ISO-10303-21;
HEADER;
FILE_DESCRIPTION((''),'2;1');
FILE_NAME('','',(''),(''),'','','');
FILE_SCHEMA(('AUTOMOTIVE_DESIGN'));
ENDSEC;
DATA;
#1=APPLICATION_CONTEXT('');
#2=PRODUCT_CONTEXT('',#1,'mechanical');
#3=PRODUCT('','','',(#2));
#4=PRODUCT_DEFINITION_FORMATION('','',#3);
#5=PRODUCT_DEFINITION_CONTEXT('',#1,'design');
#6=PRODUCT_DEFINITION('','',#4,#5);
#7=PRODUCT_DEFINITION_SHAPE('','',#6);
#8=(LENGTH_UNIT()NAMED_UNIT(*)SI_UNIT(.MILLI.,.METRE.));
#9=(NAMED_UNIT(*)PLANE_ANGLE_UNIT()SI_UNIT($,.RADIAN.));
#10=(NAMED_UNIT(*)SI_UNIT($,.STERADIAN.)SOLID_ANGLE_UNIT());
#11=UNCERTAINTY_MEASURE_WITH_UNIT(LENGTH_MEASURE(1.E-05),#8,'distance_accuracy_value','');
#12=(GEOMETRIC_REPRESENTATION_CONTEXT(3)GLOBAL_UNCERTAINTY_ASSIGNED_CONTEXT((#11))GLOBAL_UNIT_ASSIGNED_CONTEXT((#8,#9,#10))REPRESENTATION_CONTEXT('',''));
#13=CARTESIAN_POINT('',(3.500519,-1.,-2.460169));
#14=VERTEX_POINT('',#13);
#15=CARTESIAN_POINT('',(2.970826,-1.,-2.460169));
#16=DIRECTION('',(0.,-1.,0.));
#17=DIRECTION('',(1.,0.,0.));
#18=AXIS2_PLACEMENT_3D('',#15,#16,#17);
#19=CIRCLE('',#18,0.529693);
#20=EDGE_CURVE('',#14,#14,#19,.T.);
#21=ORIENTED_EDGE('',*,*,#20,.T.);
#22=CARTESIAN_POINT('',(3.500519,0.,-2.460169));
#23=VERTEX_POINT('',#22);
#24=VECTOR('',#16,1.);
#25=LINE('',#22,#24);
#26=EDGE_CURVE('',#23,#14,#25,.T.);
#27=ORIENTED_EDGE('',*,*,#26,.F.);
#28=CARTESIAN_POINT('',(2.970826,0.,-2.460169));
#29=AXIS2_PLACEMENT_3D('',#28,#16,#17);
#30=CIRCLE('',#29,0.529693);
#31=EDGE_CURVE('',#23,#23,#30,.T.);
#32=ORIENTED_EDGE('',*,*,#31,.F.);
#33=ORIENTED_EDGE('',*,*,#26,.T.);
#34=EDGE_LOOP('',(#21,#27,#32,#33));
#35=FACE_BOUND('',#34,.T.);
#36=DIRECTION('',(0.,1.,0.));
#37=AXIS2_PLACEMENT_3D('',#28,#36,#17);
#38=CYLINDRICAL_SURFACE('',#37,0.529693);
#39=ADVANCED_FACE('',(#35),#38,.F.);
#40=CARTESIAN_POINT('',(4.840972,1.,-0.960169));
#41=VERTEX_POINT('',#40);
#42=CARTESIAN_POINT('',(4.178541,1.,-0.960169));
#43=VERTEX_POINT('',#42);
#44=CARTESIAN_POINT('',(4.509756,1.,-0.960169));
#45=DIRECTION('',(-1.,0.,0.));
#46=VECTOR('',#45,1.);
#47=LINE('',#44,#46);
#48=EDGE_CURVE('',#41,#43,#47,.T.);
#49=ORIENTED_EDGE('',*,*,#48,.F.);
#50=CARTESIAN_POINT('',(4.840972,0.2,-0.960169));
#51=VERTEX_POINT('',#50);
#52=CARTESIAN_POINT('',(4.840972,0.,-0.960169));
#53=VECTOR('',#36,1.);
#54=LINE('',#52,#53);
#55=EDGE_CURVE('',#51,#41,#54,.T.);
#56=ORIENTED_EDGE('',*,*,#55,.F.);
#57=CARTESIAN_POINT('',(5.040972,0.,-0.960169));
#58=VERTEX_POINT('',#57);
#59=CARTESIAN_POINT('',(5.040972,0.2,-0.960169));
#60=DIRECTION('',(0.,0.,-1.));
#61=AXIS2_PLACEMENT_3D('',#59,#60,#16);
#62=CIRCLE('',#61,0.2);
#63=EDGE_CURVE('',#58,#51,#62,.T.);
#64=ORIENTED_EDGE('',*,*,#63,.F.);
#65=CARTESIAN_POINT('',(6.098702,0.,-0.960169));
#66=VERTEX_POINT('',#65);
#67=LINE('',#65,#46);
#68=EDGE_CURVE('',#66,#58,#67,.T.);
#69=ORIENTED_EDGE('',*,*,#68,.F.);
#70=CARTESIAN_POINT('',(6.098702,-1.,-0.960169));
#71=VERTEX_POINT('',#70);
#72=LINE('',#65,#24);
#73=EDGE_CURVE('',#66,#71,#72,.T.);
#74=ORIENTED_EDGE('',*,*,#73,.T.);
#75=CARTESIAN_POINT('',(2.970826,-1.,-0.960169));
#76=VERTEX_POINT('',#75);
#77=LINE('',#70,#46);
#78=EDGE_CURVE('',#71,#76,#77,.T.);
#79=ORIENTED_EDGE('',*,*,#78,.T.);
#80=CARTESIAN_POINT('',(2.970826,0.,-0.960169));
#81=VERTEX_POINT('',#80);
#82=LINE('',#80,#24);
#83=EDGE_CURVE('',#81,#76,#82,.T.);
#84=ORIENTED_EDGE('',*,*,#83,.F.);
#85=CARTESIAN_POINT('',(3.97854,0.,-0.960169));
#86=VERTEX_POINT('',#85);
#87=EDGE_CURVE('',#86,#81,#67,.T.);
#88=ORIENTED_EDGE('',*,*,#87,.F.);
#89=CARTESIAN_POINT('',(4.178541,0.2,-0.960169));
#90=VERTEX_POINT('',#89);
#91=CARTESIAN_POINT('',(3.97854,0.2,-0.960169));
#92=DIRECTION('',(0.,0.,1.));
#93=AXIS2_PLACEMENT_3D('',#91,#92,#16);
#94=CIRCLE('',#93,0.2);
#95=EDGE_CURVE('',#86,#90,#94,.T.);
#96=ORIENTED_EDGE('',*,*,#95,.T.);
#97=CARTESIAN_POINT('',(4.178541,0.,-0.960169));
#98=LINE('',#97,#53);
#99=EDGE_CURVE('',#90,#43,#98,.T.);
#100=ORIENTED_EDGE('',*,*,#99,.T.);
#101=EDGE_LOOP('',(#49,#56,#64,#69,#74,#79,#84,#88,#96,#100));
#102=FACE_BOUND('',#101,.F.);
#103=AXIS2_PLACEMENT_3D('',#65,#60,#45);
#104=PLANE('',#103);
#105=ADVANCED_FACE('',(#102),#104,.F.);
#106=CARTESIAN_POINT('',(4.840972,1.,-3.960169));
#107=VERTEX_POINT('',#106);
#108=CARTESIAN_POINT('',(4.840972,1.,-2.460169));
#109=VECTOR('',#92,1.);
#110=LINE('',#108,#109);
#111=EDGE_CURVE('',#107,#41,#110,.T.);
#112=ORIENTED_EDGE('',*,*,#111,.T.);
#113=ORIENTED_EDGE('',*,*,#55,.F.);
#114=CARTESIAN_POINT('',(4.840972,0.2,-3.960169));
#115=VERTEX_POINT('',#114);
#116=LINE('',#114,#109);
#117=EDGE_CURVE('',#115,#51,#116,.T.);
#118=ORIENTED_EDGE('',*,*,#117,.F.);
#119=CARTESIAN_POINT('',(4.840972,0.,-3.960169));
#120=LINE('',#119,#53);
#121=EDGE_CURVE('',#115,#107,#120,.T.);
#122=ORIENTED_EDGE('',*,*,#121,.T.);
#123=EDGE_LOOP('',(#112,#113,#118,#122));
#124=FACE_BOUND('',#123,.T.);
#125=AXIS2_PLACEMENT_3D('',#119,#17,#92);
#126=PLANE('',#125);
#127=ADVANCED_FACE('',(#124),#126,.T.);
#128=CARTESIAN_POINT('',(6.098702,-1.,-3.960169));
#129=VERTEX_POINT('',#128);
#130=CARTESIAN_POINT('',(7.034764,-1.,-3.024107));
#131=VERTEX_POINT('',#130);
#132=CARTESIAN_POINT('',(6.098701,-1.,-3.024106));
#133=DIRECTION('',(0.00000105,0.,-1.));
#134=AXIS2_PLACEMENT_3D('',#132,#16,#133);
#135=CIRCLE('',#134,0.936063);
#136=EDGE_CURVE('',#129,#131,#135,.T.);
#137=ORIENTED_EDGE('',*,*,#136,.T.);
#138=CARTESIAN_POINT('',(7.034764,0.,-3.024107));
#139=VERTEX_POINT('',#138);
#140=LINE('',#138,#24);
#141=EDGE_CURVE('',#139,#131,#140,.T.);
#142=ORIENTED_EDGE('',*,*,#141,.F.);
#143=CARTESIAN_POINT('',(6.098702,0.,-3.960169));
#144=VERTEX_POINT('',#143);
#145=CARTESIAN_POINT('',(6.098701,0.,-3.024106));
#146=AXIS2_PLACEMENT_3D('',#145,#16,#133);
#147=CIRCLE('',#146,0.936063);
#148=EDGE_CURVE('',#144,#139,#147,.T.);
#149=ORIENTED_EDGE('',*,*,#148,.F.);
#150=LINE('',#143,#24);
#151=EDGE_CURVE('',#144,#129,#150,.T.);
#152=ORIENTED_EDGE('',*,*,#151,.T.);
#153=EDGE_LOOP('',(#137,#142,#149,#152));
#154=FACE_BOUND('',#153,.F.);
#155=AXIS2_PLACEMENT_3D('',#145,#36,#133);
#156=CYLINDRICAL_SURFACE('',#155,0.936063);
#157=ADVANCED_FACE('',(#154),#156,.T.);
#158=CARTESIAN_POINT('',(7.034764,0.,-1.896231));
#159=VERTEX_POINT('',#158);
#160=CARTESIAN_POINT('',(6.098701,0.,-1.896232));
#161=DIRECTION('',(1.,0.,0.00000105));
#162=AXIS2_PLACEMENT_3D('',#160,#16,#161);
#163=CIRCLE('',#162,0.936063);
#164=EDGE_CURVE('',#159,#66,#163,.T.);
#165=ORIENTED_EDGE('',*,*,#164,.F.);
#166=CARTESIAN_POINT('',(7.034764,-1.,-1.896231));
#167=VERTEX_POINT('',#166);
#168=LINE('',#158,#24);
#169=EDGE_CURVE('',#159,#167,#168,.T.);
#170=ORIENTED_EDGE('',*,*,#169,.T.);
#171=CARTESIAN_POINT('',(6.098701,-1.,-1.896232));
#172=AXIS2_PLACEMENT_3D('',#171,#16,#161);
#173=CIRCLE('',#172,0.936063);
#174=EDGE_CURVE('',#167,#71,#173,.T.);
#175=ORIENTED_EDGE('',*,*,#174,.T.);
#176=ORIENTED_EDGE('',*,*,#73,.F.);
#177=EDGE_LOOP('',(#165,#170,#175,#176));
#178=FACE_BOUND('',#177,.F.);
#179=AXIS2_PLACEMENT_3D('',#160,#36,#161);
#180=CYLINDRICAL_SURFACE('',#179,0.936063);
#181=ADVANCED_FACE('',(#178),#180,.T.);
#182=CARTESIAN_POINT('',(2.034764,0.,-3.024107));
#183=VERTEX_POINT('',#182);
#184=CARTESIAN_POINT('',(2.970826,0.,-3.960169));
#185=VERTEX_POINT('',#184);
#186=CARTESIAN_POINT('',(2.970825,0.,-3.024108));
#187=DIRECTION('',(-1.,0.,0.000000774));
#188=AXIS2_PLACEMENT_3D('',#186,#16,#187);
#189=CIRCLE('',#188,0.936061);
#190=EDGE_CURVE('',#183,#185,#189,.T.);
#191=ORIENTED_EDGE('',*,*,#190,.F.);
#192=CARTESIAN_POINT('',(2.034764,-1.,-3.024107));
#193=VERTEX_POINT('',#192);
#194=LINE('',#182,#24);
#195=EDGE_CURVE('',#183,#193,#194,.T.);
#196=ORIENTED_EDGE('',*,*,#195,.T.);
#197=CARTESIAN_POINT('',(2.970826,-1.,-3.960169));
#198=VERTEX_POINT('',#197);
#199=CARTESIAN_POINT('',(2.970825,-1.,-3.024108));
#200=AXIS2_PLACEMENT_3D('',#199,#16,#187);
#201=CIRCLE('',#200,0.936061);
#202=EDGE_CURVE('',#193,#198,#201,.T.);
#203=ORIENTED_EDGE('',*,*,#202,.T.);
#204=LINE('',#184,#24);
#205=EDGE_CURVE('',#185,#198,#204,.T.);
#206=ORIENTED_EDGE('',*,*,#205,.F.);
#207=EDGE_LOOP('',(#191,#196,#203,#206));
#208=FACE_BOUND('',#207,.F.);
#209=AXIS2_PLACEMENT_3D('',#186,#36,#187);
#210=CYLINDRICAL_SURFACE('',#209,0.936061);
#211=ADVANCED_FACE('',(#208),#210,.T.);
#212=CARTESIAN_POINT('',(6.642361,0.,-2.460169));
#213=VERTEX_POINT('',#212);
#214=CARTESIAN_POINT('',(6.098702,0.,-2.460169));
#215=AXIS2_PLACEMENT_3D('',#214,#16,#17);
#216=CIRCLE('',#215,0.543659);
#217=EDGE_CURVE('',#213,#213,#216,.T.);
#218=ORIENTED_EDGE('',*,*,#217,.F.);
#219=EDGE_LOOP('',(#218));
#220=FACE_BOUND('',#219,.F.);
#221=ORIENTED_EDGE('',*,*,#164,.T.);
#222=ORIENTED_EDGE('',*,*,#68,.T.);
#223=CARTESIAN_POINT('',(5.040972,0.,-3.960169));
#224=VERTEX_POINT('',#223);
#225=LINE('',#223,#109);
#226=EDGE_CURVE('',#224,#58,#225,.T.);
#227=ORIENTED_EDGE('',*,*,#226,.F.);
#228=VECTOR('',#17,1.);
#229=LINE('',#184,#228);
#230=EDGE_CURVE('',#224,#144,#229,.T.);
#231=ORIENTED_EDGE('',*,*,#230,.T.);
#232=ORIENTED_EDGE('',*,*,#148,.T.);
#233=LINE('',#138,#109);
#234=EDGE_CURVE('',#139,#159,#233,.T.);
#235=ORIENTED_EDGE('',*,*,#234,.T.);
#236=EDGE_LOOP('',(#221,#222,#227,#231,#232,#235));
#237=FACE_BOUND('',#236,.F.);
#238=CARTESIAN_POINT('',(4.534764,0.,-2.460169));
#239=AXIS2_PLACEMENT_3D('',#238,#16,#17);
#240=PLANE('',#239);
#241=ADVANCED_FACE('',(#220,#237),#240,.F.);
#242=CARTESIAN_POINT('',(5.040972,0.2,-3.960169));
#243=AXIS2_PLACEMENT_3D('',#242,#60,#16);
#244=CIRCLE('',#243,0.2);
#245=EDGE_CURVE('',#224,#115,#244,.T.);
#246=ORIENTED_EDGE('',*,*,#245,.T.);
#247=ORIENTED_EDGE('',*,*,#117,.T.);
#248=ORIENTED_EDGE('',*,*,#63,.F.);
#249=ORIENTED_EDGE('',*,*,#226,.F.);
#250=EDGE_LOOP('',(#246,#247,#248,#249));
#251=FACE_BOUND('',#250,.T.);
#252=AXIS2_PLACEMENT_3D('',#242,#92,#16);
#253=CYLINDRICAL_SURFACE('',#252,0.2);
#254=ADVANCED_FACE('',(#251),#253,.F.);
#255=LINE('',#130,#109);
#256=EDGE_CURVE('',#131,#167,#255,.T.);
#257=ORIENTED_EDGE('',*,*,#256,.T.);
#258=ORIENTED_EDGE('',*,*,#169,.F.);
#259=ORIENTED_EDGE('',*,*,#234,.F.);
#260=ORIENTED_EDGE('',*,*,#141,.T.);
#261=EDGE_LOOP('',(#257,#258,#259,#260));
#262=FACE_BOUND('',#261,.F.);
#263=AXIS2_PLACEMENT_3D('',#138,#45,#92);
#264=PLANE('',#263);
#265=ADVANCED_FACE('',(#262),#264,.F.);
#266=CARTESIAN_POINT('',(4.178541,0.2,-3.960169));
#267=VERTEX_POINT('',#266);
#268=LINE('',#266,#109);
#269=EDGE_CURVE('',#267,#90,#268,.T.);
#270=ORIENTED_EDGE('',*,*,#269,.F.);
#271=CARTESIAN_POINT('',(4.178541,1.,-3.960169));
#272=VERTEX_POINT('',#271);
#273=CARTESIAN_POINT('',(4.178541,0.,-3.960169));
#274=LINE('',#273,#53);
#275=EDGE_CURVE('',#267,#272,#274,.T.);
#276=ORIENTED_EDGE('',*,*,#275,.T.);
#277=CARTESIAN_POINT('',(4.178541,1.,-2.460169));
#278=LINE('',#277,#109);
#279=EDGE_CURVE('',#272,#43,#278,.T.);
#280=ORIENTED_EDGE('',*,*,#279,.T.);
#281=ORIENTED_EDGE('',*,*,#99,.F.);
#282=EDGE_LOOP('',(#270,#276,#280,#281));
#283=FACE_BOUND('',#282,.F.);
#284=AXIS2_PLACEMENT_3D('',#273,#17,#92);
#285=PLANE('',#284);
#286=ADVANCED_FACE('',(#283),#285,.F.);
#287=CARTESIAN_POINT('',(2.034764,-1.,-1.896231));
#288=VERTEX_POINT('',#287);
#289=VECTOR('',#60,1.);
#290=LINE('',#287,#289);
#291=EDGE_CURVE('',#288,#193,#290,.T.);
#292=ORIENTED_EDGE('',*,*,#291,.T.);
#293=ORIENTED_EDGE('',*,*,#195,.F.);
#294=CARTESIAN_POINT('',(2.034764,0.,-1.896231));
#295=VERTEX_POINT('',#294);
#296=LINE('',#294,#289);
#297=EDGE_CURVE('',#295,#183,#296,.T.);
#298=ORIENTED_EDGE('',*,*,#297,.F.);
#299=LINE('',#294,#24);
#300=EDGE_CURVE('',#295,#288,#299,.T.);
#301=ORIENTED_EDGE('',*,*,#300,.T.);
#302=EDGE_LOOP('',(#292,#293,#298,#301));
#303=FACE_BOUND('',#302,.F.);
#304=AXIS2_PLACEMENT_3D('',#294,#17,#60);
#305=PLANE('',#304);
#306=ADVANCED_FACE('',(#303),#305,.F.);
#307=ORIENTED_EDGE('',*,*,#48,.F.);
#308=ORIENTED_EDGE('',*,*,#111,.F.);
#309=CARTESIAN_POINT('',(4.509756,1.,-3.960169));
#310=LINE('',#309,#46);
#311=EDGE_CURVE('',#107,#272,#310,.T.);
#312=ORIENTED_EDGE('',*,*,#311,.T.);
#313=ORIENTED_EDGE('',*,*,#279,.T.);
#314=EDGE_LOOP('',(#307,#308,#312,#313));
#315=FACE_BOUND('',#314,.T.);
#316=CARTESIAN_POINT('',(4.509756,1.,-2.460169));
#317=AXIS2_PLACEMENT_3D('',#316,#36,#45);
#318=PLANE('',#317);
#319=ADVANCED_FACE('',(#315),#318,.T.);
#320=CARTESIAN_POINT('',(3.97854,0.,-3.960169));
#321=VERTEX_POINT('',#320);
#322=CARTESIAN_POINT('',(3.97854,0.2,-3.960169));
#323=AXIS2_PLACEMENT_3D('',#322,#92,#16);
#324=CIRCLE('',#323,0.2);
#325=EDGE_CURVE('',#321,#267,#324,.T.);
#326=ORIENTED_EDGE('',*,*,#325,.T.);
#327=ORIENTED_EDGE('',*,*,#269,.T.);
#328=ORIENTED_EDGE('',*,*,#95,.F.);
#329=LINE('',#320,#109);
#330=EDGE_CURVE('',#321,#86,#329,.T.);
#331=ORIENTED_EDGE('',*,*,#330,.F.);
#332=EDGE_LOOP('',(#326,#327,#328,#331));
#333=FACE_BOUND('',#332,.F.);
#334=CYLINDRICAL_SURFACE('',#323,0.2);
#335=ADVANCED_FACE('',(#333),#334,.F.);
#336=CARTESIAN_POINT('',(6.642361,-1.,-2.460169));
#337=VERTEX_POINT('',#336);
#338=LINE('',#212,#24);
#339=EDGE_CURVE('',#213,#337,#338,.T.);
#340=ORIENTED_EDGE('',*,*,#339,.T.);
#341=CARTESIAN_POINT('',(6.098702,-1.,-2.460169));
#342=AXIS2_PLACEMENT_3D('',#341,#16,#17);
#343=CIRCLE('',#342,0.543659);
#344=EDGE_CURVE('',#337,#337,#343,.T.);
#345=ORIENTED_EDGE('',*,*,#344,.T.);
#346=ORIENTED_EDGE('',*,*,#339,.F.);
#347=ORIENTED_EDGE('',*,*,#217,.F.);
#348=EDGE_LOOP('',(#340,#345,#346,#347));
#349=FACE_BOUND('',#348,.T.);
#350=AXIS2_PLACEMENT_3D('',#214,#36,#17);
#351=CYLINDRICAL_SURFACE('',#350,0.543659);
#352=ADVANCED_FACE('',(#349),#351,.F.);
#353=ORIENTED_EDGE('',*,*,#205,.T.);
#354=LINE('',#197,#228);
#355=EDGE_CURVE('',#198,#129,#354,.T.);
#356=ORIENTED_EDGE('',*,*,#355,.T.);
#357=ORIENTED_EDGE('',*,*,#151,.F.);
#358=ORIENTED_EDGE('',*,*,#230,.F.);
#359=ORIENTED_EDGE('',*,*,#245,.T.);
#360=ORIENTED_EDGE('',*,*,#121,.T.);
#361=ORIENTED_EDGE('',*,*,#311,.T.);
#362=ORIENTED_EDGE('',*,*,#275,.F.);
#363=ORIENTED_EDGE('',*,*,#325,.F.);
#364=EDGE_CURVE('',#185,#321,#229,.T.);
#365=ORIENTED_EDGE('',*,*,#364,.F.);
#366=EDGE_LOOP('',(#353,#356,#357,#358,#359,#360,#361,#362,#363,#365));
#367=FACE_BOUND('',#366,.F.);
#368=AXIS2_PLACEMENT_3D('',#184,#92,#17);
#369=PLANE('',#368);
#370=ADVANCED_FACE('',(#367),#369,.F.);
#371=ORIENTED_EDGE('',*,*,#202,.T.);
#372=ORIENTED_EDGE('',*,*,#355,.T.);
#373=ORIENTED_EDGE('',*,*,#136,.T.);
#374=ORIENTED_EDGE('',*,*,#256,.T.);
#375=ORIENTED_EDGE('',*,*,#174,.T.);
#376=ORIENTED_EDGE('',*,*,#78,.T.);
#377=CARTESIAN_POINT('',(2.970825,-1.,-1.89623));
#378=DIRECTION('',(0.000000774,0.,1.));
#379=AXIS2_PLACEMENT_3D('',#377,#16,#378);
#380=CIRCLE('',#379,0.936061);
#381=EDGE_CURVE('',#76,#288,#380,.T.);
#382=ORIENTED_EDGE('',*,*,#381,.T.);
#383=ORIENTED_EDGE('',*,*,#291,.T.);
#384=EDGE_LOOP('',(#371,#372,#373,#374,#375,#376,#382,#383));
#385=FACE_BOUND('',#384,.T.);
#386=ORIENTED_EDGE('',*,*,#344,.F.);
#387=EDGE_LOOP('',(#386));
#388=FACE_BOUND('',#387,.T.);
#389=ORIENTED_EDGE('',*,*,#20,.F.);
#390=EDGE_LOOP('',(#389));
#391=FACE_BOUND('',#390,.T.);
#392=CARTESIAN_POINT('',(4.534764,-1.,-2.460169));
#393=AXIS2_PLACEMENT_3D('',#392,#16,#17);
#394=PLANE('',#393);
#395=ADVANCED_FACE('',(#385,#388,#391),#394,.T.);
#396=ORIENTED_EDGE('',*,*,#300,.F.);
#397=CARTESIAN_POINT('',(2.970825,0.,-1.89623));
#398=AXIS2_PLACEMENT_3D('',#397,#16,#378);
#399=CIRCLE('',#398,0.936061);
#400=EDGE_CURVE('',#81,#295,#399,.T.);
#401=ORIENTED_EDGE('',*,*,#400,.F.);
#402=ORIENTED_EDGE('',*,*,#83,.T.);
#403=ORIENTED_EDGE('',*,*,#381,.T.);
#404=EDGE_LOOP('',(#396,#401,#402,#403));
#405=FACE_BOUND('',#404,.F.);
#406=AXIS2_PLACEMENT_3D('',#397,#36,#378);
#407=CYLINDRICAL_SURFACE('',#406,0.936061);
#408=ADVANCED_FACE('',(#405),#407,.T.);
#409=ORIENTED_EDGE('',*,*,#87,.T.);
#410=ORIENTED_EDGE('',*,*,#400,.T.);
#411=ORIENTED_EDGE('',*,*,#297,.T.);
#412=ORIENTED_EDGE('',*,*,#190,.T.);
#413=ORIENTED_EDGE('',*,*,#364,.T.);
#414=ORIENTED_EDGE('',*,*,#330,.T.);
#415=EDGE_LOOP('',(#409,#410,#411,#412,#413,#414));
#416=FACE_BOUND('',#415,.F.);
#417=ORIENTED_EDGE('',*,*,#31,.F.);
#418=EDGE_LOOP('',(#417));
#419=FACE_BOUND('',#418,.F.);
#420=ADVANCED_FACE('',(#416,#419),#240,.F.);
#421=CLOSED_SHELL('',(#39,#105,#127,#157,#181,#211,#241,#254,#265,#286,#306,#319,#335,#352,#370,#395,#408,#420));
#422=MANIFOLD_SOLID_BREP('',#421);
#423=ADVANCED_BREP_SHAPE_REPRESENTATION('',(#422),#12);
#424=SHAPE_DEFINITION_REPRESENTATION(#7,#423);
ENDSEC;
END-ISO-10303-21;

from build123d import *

# Parameters (mm, degrees)
F0_R     = 0.543659
F0_R_2   = 0.529693
F1_DEPTH = 1
F2_W     = 0.662431
F2_H     = 3
F3_DEPTH = 1
F4_R     = 0.2


with BuildPart() as f1:
    # F0 (on Front) → F1 (new body)
    with BuildSketch(Plane.XZ):
        with BuildLine():
            Line((6.098702, -0.960169), (2.970826, -0.960169))
            ThreePointArc((2.970826, -0.960169), (2.30893, -1.234335), (2.034764, -1.896231))
            Line((2.034764, -1.896231), (2.034764, -3.024107))
            ThreePointArc((2.034764, -3.024107), (2.30893, -3.686003), (2.970826, -3.960169))
            Line((2.970826, -3.960169), (6.098702, -3.960169))
            ThreePointArc((6.098702, -3.960169), (6.760597, -3.686003), (7.034764, -3.024107))
            Line((7.034764, -3.024107), (7.034764, -1.896231))
            ThreePointArc((7.034764, -1.896231), (6.760597, -1.234335), (6.098702, -0.960169))
        make_face()
        with Locations((6.098702, -2.460169)):
            Circle(F0_R, mode=Mode.SUBTRACT)
        with Locations((2.970826, -2.460169)):
            Circle(F0_R_2, mode=Mode.SUBTRACT)
    extrude(amount=F1_DEPTH)

    # F2 (on face) → F3 (join)
    with BuildSketch(Plane(origin=(0, 0, 0), x_dir=(-1, 0, 0), z_dir=(0, 1, 0))):
        with Locations((-4.509756, -2.460169)):
            Rectangle(F2_W, F2_H)
    extrude(amount=F3_DEPTH)

    # F4
    f4_edges = [f1.edges().sort_by_distance(p)[0] for p in [
        (4.840972, 0, -2.460169),
        (4.178541, 0, -2.460169),
    ]]
    fillet(f4_edges, radius=F4_R)


solid = f1.part
